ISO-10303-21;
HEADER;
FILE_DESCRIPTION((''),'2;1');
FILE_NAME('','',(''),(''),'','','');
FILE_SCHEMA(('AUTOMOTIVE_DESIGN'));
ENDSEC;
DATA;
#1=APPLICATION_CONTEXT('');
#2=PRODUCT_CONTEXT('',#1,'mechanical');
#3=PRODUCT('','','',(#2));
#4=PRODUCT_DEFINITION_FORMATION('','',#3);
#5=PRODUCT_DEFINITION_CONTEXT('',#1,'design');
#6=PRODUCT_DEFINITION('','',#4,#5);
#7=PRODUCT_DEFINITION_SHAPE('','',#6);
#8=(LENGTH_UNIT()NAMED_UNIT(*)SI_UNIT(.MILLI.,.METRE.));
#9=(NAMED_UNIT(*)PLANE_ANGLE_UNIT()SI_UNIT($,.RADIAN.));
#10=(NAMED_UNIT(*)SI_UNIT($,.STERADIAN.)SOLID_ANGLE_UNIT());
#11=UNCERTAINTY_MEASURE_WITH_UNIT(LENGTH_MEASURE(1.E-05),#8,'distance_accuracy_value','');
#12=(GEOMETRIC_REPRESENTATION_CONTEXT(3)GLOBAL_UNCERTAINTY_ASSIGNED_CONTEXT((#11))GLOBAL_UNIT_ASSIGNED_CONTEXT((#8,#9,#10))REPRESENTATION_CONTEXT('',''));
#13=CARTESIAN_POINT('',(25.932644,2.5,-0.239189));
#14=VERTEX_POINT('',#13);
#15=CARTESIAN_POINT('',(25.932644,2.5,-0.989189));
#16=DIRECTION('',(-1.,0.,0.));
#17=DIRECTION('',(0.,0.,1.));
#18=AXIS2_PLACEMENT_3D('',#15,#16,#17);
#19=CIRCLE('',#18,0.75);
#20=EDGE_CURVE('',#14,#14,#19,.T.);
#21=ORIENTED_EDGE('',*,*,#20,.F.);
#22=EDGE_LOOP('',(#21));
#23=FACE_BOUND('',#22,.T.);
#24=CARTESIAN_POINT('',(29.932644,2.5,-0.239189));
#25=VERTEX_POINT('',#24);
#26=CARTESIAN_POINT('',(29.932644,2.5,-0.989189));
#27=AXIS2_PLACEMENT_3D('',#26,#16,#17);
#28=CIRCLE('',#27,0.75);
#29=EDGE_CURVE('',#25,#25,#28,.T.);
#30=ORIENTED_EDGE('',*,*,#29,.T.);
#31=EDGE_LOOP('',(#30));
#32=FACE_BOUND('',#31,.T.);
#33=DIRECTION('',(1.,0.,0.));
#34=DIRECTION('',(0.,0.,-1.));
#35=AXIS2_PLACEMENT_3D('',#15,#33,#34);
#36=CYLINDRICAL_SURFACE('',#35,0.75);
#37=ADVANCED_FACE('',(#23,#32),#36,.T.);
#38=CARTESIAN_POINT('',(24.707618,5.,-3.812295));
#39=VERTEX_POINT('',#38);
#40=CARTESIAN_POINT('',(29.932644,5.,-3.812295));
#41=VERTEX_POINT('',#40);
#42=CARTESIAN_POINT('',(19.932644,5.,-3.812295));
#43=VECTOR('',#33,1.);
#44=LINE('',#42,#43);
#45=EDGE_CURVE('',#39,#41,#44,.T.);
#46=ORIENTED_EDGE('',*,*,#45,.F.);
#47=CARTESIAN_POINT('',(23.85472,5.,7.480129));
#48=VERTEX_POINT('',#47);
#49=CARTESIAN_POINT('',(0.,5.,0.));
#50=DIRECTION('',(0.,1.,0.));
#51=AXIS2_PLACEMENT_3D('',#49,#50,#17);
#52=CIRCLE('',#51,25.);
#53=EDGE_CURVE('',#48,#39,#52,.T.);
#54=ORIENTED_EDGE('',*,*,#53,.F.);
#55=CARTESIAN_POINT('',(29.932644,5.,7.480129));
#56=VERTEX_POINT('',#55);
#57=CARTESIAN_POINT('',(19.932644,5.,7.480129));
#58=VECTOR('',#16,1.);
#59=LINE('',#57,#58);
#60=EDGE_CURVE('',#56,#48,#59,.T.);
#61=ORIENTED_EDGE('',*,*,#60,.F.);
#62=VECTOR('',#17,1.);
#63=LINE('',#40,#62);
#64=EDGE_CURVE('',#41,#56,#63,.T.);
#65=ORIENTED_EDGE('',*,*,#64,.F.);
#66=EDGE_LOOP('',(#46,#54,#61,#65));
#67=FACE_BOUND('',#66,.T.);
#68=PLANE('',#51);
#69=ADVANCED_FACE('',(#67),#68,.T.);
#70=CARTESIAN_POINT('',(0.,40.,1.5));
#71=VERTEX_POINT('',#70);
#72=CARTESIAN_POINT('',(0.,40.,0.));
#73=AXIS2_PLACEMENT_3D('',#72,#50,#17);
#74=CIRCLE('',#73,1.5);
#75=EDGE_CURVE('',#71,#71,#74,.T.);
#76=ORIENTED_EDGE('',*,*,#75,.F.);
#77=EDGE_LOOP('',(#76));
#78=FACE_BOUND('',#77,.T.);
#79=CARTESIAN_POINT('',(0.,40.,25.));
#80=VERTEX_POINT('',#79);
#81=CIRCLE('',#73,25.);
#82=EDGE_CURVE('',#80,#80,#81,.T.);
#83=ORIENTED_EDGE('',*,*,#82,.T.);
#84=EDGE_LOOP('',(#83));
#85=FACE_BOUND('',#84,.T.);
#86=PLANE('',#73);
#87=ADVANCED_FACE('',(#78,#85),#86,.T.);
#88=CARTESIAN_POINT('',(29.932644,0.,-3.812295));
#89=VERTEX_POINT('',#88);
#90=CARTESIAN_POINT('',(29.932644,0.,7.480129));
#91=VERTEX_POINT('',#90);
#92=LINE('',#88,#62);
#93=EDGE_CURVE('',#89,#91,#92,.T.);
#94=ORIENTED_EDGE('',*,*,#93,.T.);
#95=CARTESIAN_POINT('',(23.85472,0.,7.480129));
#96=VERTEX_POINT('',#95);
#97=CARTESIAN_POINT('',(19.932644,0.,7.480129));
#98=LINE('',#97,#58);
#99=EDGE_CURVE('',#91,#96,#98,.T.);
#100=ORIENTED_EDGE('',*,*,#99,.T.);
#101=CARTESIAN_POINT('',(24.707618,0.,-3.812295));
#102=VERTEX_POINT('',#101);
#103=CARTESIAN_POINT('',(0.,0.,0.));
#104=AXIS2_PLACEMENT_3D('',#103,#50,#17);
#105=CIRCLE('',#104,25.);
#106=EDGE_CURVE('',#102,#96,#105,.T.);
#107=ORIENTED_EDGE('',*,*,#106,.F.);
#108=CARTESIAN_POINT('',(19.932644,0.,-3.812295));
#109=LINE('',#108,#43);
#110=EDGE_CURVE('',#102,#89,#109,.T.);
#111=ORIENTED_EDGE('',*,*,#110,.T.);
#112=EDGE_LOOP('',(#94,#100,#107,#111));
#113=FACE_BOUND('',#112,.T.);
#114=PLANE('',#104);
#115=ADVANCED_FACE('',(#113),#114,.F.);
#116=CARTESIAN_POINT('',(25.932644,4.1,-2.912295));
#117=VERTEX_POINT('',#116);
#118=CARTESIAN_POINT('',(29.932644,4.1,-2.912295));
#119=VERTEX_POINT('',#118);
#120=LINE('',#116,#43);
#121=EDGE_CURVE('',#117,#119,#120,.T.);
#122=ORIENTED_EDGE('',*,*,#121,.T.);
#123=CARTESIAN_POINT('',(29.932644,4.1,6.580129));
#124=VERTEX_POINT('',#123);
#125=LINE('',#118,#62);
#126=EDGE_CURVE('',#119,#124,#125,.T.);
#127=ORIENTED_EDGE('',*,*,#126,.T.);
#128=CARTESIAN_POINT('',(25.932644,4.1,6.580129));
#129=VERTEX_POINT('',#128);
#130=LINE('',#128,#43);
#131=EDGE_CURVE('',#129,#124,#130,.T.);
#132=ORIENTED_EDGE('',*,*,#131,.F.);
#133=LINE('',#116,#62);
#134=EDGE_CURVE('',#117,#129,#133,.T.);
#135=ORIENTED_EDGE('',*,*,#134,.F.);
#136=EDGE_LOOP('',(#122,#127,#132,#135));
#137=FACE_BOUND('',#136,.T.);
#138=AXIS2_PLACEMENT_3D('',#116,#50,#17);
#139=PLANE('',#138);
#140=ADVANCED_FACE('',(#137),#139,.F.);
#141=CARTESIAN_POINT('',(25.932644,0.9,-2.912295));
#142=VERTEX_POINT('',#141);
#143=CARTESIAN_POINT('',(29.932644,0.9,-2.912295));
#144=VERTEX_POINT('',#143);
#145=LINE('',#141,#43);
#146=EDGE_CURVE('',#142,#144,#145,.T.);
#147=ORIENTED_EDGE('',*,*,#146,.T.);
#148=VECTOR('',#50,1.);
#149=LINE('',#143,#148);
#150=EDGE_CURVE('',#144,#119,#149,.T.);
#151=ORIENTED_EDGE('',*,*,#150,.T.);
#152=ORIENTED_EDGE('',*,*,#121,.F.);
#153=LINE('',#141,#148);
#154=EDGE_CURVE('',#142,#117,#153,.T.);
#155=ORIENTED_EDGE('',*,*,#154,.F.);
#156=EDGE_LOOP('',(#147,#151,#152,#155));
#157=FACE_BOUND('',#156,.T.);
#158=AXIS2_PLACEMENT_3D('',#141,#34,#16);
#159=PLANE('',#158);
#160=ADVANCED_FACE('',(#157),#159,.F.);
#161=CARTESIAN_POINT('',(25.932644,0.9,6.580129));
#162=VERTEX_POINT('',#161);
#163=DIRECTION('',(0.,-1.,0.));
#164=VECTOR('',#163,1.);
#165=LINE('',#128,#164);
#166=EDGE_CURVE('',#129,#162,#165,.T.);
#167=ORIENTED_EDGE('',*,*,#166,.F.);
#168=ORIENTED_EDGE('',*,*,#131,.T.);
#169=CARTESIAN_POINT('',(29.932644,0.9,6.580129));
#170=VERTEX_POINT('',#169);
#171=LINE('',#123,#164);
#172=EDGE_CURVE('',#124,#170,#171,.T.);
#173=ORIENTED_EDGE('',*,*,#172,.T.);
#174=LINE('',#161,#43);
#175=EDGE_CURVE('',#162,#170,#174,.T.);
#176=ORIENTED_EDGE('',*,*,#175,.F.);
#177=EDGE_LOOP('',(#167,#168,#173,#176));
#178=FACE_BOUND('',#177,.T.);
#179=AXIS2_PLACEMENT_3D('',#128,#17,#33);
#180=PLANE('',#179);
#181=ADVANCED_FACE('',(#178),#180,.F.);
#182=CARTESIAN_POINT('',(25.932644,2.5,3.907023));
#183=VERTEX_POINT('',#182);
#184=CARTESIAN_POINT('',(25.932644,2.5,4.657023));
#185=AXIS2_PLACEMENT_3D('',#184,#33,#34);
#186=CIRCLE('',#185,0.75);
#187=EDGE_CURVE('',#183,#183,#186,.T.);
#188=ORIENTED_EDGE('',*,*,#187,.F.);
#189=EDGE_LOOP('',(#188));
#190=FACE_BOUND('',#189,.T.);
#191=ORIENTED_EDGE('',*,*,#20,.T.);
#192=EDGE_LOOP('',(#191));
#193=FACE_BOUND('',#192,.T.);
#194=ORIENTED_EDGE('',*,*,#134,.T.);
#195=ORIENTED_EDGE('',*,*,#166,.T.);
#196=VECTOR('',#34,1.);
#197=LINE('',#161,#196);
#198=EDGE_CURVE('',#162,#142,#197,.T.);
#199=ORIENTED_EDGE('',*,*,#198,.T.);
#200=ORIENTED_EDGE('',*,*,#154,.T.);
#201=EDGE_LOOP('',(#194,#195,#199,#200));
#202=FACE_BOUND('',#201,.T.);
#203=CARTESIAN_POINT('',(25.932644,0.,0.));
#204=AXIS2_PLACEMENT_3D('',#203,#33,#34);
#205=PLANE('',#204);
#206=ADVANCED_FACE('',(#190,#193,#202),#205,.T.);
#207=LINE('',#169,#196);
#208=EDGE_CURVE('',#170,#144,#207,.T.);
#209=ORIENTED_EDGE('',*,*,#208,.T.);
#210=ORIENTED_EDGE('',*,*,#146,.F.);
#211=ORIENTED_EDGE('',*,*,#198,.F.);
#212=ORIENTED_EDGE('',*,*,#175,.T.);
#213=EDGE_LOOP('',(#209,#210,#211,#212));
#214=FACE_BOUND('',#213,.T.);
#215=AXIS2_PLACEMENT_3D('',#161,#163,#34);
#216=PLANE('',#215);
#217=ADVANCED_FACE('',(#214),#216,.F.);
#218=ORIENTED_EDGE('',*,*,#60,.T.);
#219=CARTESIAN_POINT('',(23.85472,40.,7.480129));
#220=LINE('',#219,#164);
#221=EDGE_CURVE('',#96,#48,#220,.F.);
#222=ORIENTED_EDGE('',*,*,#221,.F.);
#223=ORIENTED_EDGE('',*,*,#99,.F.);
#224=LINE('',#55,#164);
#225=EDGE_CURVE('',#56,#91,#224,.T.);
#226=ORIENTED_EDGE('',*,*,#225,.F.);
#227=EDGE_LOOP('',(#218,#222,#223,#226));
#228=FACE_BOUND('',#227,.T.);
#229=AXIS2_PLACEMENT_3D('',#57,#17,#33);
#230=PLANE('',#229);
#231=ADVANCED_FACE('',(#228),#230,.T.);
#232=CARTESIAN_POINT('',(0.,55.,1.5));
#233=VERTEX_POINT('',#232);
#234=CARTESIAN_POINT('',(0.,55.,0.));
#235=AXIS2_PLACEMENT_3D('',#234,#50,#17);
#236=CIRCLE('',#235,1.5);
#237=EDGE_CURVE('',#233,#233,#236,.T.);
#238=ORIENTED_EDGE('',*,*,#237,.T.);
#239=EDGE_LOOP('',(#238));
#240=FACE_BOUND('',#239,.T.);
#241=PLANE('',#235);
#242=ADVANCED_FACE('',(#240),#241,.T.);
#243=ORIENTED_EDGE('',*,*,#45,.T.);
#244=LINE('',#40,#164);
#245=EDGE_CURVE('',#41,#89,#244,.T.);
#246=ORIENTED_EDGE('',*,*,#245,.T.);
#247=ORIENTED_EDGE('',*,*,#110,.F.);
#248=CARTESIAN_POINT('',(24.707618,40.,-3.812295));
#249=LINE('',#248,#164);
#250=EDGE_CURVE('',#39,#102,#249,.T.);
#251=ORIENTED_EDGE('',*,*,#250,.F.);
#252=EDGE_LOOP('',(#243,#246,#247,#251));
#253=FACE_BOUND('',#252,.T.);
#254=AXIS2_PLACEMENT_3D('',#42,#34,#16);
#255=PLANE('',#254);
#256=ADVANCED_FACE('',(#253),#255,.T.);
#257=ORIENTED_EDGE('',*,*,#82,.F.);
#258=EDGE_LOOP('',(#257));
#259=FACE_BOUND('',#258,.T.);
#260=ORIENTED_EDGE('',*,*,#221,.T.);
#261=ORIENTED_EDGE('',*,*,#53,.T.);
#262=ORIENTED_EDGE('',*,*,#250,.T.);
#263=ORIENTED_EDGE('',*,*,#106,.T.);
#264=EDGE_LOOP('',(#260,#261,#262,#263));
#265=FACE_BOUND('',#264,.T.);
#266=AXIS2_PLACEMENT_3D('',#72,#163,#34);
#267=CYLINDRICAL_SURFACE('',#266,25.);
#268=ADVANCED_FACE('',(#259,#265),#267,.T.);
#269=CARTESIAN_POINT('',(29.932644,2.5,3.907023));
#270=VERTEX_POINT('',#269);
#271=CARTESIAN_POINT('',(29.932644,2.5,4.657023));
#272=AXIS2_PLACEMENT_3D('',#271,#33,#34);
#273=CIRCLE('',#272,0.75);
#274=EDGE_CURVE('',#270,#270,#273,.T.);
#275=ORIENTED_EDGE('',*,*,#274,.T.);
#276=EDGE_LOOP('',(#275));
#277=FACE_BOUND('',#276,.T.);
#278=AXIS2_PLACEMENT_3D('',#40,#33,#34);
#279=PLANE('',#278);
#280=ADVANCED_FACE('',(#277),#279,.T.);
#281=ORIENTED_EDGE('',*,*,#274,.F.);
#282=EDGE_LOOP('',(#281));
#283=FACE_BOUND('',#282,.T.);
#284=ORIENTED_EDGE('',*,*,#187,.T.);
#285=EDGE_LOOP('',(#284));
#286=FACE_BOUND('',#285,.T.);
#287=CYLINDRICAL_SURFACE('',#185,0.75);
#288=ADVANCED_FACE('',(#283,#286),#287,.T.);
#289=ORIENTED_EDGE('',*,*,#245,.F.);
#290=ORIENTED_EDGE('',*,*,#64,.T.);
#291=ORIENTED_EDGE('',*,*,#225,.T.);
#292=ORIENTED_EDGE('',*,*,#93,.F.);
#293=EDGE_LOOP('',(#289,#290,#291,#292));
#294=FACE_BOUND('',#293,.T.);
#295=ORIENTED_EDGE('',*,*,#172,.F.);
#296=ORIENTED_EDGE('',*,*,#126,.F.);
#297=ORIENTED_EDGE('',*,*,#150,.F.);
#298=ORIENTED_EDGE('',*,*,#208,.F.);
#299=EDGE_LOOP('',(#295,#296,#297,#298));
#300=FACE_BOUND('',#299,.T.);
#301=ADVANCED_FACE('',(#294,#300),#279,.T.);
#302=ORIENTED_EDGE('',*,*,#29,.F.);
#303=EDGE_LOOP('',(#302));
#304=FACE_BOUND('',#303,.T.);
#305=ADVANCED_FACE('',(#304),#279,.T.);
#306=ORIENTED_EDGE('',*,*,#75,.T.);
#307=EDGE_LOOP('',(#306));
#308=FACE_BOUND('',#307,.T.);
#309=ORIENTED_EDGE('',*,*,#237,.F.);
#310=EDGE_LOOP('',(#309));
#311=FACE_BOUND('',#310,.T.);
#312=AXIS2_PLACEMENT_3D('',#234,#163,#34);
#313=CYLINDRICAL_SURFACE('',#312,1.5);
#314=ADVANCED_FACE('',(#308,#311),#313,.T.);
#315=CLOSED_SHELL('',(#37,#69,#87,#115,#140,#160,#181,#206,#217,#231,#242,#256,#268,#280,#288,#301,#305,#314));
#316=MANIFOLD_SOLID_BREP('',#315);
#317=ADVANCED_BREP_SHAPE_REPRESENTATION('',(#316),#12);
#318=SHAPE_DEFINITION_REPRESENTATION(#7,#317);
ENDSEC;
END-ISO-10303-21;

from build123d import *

# Parameters (mm, degrees)
SKETCH1_R           = 25
BOSS_EXTRUDE1_DEPTH = 40
SKETCH2_R           = 1.5
BOSS_EXTRUDE2_DEPTH = 15
SKETCH3_W           = 10
SKETCH3_H           = 11.292423953
BOSS_EXTRUDE3_DEPTH = 5
SKETCH4_W           = 9.492423953
SKETCH4_H           = 3.2
SKETCH4_R           = 0.75
CUT_EXTRUDE1_DEPTH  = 4


with BuildPart() as part:
    # Sketch1 → Boss-Extrude1 (new body)
    with BuildSketch(Plane(origin=(0, 0, 0), x_dir=(1, 0, 0), z_dir=(0, 1, 0))):
        Circle(SKETCH1_R)
    extrude(amount=BOSS_EXTRUDE1_DEPTH)

    # Sketch2 → Boss-Extrude2 (add)
    with BuildSketch(Plane(origin=(0, 40, 0), x_dir=(1, 0, 0), z_dir=(0, 1, 0))):
        Circle(SKETCH2_R)
    extrude(amount=BOSS_EXTRUDE2_DEPTH)

    # Sketch3 → Boss-Extrude3 (add)
    with BuildSketch(Plane.XZ):
        with Locations((24.932644211, 1.833917291)):
            Rectangle(SKETCH3_W, SKETCH3_H)
    extrude(amount=-BOSS_EXTRUDE3_DEPTH)

    # Sketch4 → Cut-Extrude1 (cut)
    with BuildSketch(Plane(origin=(29.932644211, 0, 0), x_dir=(0, 0, -1), z_dir=(1, 0, 0))):
        with Locations((-1.833917291, 2.5)):
            Rectangle(SKETCH4_W, SKETCH4_H)
        with Locations((-4.657023279, 2.5)):
            Circle(SKETCH4_R, mode=Mode.SUBTRACT)
        with Locations((0.989188698, 2.5)):
            Circle(SKETCH4_R, mode=Mode.SUBTRACT)
    extrude(amount=-CUT_EXTRUDE1_DEPTH, mode=Mode.SUBTRACT)


solid = part.part
